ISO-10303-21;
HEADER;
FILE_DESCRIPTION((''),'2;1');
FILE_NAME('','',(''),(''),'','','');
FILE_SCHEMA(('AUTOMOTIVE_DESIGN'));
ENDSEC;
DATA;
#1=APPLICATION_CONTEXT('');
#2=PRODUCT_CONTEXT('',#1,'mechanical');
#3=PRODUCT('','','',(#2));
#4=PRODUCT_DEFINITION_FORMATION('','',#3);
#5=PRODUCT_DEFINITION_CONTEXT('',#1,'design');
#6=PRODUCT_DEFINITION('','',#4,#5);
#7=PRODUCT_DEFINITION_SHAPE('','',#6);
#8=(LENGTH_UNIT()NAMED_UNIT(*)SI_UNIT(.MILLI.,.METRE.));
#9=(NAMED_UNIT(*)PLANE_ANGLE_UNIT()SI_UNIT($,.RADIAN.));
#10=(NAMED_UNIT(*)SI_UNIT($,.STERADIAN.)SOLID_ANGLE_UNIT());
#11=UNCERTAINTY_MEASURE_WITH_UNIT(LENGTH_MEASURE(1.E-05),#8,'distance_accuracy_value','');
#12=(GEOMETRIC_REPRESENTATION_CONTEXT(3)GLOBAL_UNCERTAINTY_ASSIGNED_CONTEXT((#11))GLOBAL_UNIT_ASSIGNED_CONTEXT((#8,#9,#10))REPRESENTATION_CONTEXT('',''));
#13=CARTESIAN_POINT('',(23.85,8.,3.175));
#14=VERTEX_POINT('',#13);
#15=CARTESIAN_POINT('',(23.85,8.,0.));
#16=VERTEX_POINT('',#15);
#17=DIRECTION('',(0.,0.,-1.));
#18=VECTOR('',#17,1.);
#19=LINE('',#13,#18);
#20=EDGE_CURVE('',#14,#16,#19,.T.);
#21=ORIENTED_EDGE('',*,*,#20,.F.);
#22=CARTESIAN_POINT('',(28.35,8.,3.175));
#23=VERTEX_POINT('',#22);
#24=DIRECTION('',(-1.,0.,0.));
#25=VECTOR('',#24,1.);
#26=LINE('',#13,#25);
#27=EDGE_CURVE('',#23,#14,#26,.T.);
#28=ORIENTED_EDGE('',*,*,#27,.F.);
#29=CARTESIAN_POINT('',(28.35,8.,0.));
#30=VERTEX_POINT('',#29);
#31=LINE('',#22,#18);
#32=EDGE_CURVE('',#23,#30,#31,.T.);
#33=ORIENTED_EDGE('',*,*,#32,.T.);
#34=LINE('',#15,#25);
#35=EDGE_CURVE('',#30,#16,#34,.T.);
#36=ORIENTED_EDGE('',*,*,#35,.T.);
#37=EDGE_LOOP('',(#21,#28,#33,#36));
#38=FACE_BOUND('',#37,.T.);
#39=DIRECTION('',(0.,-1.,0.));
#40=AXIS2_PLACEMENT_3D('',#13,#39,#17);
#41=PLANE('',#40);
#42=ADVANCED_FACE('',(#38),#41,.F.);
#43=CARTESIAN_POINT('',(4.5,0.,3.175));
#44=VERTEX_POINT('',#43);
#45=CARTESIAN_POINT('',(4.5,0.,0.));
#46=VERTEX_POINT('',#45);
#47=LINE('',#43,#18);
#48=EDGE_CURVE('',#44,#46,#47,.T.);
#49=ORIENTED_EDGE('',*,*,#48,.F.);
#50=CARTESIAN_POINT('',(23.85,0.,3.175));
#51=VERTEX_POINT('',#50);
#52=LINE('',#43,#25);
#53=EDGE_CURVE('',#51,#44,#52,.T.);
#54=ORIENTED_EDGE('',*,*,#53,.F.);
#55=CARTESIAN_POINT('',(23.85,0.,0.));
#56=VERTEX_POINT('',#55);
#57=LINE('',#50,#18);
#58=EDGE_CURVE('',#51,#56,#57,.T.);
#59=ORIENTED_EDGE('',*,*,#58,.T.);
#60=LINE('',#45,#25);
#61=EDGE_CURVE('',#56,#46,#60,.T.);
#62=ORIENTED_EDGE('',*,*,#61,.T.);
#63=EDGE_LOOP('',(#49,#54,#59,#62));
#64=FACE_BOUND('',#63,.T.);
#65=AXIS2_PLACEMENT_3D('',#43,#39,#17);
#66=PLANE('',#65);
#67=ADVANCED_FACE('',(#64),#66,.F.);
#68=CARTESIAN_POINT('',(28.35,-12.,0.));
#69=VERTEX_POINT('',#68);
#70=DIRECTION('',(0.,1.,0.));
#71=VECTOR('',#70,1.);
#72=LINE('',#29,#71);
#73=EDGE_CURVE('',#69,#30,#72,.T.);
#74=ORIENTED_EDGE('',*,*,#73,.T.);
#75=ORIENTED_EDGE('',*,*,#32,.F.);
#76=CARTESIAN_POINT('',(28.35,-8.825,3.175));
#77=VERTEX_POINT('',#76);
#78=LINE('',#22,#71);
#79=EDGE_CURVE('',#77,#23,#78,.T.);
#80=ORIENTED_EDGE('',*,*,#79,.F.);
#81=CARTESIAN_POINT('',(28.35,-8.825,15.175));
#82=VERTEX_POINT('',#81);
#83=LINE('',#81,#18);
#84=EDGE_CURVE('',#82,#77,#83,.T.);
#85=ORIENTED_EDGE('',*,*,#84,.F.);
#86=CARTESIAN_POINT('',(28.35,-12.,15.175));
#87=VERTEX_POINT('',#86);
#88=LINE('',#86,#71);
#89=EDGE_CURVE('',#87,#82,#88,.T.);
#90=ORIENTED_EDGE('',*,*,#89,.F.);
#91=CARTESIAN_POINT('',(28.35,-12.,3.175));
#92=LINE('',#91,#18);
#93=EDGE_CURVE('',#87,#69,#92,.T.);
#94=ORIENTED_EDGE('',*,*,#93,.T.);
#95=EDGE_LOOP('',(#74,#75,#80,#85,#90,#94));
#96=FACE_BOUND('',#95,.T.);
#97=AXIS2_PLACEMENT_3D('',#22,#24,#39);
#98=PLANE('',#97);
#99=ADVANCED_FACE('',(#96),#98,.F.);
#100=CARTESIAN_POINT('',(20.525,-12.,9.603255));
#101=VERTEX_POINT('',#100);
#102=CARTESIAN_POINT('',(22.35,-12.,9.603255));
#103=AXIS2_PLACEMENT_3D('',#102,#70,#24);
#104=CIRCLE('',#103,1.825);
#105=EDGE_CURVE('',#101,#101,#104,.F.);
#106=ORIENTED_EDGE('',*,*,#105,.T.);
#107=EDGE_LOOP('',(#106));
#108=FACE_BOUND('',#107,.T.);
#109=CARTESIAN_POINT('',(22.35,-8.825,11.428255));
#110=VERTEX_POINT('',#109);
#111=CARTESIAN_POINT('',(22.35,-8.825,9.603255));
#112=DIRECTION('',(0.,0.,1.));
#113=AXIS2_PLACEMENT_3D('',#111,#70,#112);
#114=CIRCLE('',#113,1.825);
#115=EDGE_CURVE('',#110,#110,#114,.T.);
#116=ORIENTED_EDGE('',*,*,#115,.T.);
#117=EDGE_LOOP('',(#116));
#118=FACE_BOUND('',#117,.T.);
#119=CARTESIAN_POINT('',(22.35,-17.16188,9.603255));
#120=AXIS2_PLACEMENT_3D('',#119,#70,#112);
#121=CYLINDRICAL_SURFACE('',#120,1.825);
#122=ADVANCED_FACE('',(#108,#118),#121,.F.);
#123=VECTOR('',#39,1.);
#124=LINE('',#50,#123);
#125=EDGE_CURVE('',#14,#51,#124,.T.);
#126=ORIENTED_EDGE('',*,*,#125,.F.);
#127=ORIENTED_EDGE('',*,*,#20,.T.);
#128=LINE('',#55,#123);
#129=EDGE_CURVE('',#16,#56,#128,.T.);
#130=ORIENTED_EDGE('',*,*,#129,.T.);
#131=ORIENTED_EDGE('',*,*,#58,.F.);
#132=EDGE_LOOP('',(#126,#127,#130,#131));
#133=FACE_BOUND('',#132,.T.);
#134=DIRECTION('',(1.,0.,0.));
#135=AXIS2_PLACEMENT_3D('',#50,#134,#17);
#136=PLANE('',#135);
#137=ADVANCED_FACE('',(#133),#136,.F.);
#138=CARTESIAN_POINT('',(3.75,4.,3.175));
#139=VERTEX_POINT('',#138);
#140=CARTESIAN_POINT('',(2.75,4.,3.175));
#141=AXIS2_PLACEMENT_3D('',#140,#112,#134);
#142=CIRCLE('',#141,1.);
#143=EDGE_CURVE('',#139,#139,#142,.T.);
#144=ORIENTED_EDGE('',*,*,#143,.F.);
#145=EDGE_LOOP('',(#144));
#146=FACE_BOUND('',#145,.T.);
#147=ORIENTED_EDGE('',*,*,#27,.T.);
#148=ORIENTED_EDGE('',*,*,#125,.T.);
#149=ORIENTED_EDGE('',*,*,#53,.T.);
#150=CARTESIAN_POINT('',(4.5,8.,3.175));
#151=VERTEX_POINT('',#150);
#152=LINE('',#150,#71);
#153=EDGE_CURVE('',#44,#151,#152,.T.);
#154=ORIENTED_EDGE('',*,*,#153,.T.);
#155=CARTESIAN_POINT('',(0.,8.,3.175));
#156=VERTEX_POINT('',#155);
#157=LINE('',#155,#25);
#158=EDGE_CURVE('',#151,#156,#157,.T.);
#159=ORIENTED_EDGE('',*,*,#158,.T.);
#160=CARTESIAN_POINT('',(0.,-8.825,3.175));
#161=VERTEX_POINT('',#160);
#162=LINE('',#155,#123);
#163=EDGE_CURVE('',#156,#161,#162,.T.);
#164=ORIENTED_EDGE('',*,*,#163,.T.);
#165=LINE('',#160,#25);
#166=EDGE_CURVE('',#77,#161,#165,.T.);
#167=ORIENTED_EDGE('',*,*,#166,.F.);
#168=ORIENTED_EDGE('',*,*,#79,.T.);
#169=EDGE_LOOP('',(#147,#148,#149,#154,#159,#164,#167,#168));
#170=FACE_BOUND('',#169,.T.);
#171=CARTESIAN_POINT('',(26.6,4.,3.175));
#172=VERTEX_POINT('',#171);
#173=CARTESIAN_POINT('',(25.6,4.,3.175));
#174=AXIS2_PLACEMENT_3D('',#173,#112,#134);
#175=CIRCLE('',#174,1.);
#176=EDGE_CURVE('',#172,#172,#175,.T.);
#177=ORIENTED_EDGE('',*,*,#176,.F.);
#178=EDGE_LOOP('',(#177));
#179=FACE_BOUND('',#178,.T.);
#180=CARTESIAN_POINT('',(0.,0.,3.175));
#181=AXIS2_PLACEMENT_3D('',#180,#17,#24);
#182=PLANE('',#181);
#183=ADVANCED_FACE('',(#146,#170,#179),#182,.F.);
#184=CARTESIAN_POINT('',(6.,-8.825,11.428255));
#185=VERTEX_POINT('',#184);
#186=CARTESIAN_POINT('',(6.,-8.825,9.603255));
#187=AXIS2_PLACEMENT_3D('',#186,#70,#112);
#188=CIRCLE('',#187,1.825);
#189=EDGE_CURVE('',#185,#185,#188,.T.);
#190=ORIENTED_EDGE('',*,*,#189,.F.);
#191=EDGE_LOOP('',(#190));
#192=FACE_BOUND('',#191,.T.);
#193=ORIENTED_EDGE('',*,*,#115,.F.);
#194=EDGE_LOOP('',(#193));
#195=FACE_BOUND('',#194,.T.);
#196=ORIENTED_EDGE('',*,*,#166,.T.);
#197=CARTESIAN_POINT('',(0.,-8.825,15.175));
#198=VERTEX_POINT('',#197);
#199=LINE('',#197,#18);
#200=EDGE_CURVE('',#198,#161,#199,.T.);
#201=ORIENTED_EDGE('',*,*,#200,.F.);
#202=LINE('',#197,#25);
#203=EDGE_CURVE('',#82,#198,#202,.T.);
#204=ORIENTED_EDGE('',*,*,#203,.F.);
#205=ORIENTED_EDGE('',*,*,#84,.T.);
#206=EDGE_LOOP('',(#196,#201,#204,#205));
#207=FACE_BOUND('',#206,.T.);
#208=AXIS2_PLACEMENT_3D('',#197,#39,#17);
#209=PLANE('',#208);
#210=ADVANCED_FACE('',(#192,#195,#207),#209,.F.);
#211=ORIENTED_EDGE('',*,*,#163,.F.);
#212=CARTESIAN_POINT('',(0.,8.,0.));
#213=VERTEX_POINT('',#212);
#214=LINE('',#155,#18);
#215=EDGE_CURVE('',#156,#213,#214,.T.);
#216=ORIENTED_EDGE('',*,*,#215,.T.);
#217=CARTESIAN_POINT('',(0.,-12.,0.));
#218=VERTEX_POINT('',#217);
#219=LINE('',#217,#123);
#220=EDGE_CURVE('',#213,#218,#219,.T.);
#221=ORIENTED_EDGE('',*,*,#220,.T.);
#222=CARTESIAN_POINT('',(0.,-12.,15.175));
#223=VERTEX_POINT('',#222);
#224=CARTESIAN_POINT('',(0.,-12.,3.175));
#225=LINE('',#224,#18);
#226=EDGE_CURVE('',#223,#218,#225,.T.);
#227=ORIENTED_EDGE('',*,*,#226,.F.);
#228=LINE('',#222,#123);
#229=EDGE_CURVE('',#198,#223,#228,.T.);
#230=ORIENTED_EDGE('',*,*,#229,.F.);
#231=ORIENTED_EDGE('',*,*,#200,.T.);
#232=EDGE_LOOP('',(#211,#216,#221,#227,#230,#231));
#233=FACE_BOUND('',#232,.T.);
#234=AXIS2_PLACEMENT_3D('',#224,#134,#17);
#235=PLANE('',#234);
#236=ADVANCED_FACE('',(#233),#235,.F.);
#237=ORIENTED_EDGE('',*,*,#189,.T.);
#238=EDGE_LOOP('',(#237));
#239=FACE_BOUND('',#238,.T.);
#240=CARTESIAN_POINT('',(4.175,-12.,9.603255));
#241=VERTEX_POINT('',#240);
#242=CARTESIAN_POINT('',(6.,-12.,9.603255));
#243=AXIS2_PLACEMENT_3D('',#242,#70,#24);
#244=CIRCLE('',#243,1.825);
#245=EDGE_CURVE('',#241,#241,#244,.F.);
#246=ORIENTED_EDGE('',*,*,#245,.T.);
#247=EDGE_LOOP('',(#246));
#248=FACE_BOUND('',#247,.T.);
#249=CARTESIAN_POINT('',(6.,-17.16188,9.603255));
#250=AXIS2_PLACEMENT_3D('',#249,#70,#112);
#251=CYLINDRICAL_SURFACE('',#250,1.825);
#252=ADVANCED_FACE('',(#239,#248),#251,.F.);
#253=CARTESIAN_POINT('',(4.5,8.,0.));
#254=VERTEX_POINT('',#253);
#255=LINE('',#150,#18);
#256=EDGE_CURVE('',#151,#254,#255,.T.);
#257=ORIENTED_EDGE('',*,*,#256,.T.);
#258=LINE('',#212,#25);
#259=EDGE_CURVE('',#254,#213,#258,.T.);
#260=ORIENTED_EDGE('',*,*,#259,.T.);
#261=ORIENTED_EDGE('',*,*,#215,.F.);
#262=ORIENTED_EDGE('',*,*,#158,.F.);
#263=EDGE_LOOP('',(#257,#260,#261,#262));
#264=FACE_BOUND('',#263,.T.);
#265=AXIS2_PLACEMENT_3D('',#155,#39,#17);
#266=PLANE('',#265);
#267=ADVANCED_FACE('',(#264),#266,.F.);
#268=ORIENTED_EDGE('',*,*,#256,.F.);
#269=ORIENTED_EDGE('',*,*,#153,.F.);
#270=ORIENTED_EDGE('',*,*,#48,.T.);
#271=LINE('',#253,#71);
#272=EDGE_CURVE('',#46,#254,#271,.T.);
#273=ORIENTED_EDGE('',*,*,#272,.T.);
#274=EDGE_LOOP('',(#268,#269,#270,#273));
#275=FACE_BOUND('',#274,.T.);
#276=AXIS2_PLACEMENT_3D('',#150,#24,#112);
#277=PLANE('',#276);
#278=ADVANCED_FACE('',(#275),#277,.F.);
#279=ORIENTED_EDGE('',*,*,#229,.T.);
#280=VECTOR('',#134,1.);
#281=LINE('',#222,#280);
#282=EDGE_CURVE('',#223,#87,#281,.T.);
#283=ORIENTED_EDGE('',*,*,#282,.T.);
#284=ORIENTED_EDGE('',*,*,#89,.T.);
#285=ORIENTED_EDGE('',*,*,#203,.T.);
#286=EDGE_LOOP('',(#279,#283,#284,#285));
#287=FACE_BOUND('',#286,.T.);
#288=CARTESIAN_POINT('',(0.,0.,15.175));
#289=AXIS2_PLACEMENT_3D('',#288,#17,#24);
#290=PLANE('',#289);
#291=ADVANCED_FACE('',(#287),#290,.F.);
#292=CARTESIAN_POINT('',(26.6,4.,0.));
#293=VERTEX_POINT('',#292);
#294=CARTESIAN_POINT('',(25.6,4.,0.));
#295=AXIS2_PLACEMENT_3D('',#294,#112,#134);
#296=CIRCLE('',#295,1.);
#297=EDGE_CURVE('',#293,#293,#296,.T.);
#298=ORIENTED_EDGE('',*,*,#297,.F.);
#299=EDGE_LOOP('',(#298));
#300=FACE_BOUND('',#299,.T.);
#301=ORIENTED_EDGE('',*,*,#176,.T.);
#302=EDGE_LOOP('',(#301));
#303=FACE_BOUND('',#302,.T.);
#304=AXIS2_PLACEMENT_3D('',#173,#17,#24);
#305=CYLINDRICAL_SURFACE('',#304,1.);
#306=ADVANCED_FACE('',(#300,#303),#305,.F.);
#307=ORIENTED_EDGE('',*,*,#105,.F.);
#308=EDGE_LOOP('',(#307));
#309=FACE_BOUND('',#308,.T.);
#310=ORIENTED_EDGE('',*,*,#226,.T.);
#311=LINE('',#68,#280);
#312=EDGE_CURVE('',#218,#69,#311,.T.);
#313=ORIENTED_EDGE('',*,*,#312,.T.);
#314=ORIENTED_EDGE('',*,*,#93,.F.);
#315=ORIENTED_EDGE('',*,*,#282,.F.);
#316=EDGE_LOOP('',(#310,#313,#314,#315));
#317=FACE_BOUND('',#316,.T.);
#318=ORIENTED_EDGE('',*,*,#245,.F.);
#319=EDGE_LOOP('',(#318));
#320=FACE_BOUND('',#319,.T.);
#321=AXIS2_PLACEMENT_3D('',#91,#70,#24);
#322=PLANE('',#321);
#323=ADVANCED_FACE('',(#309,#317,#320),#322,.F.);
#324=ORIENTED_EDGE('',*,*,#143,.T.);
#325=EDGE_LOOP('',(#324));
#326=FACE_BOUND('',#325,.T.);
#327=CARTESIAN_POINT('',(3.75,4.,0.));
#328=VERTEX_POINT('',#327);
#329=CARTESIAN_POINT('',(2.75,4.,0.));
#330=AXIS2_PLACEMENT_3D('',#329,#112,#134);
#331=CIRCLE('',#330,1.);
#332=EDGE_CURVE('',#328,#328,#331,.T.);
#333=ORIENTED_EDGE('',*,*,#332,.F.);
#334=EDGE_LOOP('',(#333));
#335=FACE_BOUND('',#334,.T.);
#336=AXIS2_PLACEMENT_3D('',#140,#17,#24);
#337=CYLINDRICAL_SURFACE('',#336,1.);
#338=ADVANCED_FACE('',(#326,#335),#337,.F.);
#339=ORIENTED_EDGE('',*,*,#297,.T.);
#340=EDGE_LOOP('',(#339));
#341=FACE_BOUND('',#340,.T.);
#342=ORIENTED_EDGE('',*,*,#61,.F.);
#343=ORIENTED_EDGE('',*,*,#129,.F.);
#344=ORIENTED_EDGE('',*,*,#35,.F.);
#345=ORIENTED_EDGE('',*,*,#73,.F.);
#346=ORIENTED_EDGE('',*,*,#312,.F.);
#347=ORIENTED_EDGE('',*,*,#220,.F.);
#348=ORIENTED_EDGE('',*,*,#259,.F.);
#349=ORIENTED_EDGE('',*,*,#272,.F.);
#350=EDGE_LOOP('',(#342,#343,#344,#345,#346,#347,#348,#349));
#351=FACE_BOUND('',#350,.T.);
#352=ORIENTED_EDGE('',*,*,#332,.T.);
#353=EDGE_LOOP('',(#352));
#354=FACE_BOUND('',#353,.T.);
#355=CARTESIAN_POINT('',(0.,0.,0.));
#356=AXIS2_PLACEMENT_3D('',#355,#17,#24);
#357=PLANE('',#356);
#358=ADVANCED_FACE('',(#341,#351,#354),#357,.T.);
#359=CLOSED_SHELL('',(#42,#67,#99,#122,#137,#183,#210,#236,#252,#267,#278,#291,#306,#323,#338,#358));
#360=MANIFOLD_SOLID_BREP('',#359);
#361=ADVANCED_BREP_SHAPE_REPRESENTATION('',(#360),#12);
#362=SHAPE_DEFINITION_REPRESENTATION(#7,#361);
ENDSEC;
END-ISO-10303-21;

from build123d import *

# Parameters (mm, degrees)
SKETCH1_R           = 1
BOSS_EXTRUDE1_DEPTH = 3.175
SKETCH2_W           = 28.35
SKETCH2_H           = 3.175
BOSS_EXTRUDE2_DEPTH = 12
SKETCH3_R           = 1.825
CUT_EXTRUDE1_DEPTH  = 3.175


with BuildPart() as part:
    # Sketch1 → Boss-Extrude1 (new body)
    with BuildSketch(Plane.XY):
        Polygon((0, 8), (0, 0), (0, -12), (28.35, -12), (28.35, 8), (23.85, 8), (23.85, 0), (4.5, 0), (4.5, 8), align=None)
        with Locations((2.75, 4)):
            Circle(SKETCH1_R, mode=Mode.SUBTRACT)
        with Locations((25.6, 4)):
            Circle(SKETCH1_R, mode=Mode.SUBTRACT)
    extrude(amount=BOSS_EXTRUDE1_DEPTH)

    # Sketch2 → Boss-Extrude2 (add)
    with BuildSketch(Plane.XY.offset(3.175)):
        with Locations((14.175, -10.4125)):
            Rectangle(SKETCH2_W, SKETCH2_H)
    extrude(amount=BOSS_EXTRUDE2_DEPTH)

    # Sketch3 → Cut-Extrude1 (cut)
    with BuildSketch(Plane(origin=(0, -8.825, 0), x_dir=(1, 0, 0), z_dir=(0, 1, 0))):
        with Locations(Location((6, -9.60325543, 0), (0, 0, 270))):
            Circle(SKETCH3_R)
        with Locations(Location((22.35, -9.60325543, 0), (0, 0, 270))):
            Circle(SKETCH3_R)
    extrude(amount=-CUT_EXTRUDE1_DEPTH, mode=Mode.SUBTRACT)


solid = part.part
